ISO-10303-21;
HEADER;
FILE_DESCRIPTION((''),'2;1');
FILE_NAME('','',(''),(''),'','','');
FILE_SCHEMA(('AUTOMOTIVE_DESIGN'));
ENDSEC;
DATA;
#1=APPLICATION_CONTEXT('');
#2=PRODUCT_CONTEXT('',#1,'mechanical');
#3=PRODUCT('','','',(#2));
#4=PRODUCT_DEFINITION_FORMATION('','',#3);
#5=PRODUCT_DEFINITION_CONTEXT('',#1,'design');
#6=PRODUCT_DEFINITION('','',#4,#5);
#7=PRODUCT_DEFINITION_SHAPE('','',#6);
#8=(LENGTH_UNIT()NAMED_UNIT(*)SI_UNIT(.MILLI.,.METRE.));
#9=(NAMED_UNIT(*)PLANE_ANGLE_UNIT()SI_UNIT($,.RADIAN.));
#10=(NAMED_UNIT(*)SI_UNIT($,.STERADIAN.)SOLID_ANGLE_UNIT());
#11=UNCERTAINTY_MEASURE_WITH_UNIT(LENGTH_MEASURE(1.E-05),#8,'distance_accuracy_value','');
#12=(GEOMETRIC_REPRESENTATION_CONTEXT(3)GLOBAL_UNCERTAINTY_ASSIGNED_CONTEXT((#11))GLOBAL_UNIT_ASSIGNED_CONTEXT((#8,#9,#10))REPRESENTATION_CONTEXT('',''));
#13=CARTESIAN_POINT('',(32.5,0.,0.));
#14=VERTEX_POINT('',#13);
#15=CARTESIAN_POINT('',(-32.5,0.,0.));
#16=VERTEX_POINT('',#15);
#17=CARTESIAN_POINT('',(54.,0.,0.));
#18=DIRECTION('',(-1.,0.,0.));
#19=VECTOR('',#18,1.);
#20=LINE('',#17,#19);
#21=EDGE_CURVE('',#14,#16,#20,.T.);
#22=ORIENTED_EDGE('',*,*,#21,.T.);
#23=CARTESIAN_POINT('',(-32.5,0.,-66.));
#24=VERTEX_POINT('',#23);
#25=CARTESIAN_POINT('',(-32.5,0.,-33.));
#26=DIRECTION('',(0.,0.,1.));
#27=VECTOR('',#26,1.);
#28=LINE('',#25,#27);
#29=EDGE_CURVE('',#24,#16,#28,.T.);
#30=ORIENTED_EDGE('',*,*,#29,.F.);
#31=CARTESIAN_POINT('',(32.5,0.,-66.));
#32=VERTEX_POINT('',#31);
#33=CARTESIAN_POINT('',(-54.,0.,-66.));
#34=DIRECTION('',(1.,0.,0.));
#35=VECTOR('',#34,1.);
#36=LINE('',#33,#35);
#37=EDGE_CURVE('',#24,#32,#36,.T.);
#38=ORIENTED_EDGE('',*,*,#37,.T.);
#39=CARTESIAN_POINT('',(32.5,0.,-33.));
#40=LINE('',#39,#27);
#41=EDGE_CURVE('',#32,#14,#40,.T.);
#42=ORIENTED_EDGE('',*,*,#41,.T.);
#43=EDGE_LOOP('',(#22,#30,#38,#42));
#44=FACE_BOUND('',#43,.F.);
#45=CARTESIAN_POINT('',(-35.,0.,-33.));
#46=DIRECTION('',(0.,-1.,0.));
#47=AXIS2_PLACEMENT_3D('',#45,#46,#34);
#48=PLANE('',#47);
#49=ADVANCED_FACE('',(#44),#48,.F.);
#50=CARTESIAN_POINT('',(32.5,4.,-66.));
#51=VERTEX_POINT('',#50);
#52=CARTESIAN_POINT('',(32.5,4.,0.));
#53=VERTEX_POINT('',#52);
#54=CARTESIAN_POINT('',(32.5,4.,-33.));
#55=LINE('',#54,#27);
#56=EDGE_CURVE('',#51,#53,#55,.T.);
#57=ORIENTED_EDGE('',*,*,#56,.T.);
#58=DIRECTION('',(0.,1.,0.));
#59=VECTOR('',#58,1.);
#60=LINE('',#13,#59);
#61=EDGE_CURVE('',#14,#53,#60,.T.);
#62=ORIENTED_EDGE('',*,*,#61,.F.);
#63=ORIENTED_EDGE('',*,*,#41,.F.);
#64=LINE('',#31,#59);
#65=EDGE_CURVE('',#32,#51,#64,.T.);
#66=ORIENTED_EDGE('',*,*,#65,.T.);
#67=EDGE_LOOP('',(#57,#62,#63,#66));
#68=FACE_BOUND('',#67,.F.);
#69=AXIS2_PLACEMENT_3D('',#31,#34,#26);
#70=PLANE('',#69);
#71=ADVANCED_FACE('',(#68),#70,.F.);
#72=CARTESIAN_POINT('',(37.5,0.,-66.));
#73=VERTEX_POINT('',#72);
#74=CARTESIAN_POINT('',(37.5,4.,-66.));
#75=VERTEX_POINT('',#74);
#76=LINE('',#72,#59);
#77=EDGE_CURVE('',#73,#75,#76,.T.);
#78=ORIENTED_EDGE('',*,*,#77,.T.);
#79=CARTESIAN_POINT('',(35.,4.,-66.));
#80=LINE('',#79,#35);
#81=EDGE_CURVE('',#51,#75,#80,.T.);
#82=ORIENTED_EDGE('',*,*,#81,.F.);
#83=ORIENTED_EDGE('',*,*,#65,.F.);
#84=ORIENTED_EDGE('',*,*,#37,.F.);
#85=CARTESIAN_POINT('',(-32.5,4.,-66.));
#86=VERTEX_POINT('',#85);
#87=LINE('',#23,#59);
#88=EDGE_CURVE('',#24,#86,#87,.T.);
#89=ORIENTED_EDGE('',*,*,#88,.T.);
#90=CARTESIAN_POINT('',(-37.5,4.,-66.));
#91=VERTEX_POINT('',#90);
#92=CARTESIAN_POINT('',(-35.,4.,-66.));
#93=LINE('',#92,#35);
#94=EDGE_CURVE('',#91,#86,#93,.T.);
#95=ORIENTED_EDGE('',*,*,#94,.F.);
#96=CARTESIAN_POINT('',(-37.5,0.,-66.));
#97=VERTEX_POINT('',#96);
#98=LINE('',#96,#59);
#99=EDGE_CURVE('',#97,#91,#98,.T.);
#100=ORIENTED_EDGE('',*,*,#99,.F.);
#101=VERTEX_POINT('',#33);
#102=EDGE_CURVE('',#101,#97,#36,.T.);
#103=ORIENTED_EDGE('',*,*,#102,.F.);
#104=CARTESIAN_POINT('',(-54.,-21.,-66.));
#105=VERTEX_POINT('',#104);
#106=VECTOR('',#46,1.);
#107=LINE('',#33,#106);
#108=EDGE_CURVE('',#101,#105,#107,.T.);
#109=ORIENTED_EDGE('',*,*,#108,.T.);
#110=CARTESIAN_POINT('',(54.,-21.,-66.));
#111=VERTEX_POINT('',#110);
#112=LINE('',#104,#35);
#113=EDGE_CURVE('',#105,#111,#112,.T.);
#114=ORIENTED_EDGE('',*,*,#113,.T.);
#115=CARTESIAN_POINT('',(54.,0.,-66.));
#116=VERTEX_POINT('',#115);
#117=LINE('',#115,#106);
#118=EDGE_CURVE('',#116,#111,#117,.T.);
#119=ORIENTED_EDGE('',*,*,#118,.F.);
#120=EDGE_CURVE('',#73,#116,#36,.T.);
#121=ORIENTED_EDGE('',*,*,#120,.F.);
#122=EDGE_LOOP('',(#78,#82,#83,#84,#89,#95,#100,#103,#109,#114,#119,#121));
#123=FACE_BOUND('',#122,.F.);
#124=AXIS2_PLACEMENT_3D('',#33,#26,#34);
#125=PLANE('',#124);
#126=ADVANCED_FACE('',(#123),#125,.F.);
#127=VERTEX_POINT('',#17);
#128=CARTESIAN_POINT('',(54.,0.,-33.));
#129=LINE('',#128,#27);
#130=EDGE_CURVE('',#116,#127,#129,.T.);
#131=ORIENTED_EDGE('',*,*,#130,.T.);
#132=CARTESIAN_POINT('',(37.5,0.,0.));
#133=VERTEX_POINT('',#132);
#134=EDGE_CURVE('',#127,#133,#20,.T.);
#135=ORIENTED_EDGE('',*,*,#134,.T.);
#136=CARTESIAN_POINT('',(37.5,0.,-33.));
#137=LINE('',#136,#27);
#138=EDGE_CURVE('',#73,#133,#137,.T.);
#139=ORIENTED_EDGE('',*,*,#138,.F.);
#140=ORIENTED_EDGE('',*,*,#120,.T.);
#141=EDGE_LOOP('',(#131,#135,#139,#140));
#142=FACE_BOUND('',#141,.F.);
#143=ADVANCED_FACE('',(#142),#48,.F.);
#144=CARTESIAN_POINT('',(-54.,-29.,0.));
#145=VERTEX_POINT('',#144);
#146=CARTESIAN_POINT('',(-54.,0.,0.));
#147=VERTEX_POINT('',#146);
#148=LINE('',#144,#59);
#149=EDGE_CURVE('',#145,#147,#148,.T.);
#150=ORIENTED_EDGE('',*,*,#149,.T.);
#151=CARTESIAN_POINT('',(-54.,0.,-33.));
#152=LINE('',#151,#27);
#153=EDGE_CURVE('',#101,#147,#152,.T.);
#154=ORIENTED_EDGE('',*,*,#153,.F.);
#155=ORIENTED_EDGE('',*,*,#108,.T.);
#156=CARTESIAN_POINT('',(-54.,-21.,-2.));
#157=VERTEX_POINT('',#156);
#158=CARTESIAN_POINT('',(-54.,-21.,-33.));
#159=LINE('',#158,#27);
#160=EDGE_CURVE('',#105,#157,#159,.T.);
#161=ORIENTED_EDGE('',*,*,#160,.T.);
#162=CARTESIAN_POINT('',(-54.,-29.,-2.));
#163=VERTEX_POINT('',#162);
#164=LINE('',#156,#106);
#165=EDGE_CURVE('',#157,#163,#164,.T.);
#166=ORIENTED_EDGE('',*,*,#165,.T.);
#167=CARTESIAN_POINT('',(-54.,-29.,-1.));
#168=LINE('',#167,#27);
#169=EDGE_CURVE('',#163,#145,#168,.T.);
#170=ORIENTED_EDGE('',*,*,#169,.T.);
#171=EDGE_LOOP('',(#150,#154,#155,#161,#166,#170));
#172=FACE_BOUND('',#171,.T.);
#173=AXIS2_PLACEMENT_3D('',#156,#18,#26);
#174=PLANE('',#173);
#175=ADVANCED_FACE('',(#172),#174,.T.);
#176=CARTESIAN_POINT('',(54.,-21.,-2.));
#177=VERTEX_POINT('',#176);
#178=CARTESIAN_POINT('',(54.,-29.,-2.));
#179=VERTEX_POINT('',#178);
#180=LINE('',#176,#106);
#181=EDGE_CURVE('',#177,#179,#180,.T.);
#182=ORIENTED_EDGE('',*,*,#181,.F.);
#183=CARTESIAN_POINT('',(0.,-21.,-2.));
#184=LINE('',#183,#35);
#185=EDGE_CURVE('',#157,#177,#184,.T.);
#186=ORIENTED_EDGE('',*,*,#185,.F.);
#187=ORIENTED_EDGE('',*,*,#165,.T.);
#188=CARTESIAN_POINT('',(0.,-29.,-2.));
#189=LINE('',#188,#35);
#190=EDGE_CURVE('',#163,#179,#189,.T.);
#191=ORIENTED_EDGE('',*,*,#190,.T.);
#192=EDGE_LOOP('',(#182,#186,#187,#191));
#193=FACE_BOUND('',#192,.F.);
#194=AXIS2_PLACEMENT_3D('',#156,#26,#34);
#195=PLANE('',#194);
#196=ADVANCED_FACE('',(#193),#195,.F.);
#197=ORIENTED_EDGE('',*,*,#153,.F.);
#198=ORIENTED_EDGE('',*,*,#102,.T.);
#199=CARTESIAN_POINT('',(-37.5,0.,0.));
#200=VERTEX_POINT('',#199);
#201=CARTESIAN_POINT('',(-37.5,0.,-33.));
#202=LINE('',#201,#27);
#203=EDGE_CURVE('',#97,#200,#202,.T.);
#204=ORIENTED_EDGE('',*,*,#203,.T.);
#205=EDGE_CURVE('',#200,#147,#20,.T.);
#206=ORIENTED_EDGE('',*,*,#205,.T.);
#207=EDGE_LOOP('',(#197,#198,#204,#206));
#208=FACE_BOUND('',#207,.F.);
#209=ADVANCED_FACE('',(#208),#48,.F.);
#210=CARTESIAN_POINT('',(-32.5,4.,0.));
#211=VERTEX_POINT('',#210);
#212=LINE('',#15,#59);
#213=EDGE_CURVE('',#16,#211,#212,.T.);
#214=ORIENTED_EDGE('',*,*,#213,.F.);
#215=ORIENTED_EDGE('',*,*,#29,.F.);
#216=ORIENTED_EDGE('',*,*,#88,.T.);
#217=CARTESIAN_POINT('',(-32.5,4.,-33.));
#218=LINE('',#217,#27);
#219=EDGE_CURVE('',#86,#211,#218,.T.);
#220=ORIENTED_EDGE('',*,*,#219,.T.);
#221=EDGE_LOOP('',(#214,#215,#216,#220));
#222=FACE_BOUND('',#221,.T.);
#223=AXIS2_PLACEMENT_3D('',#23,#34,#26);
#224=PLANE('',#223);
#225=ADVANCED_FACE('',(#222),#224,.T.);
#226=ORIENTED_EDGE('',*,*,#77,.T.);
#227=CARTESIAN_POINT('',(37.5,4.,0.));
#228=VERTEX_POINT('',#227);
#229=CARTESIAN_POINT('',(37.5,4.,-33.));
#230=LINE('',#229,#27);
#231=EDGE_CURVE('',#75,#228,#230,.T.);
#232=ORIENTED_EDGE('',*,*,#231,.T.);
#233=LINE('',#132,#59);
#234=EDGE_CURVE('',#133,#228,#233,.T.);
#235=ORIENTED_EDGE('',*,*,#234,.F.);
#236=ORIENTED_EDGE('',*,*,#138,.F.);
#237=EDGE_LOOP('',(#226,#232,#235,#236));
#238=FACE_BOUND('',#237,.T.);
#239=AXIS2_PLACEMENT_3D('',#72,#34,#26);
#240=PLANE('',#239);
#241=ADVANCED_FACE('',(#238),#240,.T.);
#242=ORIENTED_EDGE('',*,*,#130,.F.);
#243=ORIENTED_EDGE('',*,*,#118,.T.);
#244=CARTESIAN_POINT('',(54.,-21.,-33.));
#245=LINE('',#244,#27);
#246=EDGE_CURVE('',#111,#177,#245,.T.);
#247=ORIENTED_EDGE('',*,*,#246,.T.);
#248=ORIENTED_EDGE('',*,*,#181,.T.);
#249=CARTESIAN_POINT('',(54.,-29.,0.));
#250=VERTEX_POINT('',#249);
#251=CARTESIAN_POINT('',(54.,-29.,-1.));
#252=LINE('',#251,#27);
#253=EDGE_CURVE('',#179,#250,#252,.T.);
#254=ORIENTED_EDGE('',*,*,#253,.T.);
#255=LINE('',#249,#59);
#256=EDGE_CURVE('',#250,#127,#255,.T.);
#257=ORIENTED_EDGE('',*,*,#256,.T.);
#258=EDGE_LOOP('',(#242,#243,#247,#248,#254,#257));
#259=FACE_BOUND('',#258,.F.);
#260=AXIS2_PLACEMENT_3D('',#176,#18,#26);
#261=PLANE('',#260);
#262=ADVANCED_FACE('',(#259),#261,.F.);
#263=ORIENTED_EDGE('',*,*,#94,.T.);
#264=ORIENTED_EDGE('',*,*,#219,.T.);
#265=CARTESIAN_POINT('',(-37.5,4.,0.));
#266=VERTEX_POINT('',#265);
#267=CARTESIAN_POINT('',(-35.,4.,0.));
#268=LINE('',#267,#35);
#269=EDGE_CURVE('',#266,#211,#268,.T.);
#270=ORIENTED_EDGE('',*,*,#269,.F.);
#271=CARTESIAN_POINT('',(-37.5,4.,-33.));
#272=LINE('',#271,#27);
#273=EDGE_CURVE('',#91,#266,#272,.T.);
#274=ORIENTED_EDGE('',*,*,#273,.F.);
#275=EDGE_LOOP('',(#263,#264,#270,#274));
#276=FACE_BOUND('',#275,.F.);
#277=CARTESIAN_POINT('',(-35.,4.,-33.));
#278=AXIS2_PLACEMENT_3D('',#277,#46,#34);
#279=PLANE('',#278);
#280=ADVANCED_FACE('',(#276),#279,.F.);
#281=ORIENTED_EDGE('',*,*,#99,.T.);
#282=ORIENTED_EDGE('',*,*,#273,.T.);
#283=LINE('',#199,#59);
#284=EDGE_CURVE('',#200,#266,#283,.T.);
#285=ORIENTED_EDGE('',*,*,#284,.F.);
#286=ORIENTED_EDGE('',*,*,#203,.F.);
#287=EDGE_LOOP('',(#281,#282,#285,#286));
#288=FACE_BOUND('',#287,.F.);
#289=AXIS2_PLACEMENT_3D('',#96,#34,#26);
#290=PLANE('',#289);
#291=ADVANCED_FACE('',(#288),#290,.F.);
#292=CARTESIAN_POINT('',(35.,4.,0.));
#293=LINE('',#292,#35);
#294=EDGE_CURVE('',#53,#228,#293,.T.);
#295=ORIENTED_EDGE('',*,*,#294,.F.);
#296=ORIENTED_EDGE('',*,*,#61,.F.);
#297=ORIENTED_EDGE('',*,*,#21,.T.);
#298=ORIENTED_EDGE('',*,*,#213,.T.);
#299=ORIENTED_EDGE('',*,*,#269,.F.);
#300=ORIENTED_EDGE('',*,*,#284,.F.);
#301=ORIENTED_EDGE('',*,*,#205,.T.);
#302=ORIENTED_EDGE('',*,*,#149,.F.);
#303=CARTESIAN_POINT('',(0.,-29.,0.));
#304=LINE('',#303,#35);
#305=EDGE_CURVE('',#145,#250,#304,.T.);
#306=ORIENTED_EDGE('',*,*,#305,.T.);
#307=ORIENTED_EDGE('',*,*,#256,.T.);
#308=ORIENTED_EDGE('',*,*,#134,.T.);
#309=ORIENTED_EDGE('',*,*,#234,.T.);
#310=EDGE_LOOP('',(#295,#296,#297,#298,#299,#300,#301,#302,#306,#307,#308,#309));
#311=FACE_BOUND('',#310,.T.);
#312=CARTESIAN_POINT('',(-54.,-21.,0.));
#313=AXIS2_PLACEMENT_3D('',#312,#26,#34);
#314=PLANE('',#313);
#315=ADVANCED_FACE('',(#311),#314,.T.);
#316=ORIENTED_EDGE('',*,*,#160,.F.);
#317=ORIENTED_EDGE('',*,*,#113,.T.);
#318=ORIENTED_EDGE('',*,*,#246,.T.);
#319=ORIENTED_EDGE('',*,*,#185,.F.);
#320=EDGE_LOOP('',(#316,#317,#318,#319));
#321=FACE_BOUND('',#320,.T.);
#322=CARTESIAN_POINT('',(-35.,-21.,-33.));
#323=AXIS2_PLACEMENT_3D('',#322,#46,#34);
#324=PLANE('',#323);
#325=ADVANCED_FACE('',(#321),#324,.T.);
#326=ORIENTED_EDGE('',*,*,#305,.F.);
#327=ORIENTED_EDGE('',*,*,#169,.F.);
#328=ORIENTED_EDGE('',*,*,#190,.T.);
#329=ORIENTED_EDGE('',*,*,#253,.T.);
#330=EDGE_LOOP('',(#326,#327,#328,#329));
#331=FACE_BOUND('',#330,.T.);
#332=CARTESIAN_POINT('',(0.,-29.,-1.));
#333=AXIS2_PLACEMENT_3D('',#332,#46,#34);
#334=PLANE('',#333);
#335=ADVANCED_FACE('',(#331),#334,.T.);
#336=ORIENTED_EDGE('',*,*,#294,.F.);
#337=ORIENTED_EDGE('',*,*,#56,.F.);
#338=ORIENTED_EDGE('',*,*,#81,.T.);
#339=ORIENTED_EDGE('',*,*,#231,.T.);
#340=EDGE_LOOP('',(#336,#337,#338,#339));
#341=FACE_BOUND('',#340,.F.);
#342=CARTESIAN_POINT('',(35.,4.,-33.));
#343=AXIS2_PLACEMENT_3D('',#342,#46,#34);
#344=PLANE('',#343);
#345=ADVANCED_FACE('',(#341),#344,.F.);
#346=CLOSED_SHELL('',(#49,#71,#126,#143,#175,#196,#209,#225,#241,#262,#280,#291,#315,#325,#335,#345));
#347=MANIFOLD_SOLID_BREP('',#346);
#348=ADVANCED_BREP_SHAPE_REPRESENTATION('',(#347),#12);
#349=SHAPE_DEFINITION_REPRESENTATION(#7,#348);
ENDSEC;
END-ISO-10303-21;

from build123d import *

# Parameters (mm, degrees)
F0_W     = 5
F0_H     = 66
F0_W_2   = 16.5
F0_W_3   = 65
F1_DEPTH = 21
F2_DEPTH = 4
F3_W     = 108
F3_H     = 2
F4_DEPTH = 8


with BuildPart() as f1:
    # F0 (on Front) → F1 (new body)
    with BuildSketch(Plane.XZ):
        with Locations((-35, -33)):
            Rectangle(F0_W, F0_H)
        with Locations((-45.75, -33)):
            Rectangle(F0_W_2, F0_H)
        with Locations((0, -33)):
            Rectangle(F0_W_3, F0_H)
        with Locations((35, -33)):
            Rectangle(F0_W, F0_H)
        with Locations((45.75, -33)):
            Rectangle(F0_W_2, F0_H)
    extrude(amount=F1_DEPTH)

    # F0 (on Front) → F2 (join)
    with BuildSketch(Plane.XZ):
        with Locations((35, -33)):
            Rectangle(F0_W, F0_H)
        with Locations((-35, -33)):
            Rectangle(F0_W, F0_H)
    extrude(amount=-F2_DEPTH)

    # F3 (on face) → F4 (join)
    with BuildSketch(Plane.XZ.offset(21)):
        with Locations((0, -1)):
            Rectangle(F3_W, F3_H)
    extrude(amount=F4_DEPTH)


solid = f1.part
